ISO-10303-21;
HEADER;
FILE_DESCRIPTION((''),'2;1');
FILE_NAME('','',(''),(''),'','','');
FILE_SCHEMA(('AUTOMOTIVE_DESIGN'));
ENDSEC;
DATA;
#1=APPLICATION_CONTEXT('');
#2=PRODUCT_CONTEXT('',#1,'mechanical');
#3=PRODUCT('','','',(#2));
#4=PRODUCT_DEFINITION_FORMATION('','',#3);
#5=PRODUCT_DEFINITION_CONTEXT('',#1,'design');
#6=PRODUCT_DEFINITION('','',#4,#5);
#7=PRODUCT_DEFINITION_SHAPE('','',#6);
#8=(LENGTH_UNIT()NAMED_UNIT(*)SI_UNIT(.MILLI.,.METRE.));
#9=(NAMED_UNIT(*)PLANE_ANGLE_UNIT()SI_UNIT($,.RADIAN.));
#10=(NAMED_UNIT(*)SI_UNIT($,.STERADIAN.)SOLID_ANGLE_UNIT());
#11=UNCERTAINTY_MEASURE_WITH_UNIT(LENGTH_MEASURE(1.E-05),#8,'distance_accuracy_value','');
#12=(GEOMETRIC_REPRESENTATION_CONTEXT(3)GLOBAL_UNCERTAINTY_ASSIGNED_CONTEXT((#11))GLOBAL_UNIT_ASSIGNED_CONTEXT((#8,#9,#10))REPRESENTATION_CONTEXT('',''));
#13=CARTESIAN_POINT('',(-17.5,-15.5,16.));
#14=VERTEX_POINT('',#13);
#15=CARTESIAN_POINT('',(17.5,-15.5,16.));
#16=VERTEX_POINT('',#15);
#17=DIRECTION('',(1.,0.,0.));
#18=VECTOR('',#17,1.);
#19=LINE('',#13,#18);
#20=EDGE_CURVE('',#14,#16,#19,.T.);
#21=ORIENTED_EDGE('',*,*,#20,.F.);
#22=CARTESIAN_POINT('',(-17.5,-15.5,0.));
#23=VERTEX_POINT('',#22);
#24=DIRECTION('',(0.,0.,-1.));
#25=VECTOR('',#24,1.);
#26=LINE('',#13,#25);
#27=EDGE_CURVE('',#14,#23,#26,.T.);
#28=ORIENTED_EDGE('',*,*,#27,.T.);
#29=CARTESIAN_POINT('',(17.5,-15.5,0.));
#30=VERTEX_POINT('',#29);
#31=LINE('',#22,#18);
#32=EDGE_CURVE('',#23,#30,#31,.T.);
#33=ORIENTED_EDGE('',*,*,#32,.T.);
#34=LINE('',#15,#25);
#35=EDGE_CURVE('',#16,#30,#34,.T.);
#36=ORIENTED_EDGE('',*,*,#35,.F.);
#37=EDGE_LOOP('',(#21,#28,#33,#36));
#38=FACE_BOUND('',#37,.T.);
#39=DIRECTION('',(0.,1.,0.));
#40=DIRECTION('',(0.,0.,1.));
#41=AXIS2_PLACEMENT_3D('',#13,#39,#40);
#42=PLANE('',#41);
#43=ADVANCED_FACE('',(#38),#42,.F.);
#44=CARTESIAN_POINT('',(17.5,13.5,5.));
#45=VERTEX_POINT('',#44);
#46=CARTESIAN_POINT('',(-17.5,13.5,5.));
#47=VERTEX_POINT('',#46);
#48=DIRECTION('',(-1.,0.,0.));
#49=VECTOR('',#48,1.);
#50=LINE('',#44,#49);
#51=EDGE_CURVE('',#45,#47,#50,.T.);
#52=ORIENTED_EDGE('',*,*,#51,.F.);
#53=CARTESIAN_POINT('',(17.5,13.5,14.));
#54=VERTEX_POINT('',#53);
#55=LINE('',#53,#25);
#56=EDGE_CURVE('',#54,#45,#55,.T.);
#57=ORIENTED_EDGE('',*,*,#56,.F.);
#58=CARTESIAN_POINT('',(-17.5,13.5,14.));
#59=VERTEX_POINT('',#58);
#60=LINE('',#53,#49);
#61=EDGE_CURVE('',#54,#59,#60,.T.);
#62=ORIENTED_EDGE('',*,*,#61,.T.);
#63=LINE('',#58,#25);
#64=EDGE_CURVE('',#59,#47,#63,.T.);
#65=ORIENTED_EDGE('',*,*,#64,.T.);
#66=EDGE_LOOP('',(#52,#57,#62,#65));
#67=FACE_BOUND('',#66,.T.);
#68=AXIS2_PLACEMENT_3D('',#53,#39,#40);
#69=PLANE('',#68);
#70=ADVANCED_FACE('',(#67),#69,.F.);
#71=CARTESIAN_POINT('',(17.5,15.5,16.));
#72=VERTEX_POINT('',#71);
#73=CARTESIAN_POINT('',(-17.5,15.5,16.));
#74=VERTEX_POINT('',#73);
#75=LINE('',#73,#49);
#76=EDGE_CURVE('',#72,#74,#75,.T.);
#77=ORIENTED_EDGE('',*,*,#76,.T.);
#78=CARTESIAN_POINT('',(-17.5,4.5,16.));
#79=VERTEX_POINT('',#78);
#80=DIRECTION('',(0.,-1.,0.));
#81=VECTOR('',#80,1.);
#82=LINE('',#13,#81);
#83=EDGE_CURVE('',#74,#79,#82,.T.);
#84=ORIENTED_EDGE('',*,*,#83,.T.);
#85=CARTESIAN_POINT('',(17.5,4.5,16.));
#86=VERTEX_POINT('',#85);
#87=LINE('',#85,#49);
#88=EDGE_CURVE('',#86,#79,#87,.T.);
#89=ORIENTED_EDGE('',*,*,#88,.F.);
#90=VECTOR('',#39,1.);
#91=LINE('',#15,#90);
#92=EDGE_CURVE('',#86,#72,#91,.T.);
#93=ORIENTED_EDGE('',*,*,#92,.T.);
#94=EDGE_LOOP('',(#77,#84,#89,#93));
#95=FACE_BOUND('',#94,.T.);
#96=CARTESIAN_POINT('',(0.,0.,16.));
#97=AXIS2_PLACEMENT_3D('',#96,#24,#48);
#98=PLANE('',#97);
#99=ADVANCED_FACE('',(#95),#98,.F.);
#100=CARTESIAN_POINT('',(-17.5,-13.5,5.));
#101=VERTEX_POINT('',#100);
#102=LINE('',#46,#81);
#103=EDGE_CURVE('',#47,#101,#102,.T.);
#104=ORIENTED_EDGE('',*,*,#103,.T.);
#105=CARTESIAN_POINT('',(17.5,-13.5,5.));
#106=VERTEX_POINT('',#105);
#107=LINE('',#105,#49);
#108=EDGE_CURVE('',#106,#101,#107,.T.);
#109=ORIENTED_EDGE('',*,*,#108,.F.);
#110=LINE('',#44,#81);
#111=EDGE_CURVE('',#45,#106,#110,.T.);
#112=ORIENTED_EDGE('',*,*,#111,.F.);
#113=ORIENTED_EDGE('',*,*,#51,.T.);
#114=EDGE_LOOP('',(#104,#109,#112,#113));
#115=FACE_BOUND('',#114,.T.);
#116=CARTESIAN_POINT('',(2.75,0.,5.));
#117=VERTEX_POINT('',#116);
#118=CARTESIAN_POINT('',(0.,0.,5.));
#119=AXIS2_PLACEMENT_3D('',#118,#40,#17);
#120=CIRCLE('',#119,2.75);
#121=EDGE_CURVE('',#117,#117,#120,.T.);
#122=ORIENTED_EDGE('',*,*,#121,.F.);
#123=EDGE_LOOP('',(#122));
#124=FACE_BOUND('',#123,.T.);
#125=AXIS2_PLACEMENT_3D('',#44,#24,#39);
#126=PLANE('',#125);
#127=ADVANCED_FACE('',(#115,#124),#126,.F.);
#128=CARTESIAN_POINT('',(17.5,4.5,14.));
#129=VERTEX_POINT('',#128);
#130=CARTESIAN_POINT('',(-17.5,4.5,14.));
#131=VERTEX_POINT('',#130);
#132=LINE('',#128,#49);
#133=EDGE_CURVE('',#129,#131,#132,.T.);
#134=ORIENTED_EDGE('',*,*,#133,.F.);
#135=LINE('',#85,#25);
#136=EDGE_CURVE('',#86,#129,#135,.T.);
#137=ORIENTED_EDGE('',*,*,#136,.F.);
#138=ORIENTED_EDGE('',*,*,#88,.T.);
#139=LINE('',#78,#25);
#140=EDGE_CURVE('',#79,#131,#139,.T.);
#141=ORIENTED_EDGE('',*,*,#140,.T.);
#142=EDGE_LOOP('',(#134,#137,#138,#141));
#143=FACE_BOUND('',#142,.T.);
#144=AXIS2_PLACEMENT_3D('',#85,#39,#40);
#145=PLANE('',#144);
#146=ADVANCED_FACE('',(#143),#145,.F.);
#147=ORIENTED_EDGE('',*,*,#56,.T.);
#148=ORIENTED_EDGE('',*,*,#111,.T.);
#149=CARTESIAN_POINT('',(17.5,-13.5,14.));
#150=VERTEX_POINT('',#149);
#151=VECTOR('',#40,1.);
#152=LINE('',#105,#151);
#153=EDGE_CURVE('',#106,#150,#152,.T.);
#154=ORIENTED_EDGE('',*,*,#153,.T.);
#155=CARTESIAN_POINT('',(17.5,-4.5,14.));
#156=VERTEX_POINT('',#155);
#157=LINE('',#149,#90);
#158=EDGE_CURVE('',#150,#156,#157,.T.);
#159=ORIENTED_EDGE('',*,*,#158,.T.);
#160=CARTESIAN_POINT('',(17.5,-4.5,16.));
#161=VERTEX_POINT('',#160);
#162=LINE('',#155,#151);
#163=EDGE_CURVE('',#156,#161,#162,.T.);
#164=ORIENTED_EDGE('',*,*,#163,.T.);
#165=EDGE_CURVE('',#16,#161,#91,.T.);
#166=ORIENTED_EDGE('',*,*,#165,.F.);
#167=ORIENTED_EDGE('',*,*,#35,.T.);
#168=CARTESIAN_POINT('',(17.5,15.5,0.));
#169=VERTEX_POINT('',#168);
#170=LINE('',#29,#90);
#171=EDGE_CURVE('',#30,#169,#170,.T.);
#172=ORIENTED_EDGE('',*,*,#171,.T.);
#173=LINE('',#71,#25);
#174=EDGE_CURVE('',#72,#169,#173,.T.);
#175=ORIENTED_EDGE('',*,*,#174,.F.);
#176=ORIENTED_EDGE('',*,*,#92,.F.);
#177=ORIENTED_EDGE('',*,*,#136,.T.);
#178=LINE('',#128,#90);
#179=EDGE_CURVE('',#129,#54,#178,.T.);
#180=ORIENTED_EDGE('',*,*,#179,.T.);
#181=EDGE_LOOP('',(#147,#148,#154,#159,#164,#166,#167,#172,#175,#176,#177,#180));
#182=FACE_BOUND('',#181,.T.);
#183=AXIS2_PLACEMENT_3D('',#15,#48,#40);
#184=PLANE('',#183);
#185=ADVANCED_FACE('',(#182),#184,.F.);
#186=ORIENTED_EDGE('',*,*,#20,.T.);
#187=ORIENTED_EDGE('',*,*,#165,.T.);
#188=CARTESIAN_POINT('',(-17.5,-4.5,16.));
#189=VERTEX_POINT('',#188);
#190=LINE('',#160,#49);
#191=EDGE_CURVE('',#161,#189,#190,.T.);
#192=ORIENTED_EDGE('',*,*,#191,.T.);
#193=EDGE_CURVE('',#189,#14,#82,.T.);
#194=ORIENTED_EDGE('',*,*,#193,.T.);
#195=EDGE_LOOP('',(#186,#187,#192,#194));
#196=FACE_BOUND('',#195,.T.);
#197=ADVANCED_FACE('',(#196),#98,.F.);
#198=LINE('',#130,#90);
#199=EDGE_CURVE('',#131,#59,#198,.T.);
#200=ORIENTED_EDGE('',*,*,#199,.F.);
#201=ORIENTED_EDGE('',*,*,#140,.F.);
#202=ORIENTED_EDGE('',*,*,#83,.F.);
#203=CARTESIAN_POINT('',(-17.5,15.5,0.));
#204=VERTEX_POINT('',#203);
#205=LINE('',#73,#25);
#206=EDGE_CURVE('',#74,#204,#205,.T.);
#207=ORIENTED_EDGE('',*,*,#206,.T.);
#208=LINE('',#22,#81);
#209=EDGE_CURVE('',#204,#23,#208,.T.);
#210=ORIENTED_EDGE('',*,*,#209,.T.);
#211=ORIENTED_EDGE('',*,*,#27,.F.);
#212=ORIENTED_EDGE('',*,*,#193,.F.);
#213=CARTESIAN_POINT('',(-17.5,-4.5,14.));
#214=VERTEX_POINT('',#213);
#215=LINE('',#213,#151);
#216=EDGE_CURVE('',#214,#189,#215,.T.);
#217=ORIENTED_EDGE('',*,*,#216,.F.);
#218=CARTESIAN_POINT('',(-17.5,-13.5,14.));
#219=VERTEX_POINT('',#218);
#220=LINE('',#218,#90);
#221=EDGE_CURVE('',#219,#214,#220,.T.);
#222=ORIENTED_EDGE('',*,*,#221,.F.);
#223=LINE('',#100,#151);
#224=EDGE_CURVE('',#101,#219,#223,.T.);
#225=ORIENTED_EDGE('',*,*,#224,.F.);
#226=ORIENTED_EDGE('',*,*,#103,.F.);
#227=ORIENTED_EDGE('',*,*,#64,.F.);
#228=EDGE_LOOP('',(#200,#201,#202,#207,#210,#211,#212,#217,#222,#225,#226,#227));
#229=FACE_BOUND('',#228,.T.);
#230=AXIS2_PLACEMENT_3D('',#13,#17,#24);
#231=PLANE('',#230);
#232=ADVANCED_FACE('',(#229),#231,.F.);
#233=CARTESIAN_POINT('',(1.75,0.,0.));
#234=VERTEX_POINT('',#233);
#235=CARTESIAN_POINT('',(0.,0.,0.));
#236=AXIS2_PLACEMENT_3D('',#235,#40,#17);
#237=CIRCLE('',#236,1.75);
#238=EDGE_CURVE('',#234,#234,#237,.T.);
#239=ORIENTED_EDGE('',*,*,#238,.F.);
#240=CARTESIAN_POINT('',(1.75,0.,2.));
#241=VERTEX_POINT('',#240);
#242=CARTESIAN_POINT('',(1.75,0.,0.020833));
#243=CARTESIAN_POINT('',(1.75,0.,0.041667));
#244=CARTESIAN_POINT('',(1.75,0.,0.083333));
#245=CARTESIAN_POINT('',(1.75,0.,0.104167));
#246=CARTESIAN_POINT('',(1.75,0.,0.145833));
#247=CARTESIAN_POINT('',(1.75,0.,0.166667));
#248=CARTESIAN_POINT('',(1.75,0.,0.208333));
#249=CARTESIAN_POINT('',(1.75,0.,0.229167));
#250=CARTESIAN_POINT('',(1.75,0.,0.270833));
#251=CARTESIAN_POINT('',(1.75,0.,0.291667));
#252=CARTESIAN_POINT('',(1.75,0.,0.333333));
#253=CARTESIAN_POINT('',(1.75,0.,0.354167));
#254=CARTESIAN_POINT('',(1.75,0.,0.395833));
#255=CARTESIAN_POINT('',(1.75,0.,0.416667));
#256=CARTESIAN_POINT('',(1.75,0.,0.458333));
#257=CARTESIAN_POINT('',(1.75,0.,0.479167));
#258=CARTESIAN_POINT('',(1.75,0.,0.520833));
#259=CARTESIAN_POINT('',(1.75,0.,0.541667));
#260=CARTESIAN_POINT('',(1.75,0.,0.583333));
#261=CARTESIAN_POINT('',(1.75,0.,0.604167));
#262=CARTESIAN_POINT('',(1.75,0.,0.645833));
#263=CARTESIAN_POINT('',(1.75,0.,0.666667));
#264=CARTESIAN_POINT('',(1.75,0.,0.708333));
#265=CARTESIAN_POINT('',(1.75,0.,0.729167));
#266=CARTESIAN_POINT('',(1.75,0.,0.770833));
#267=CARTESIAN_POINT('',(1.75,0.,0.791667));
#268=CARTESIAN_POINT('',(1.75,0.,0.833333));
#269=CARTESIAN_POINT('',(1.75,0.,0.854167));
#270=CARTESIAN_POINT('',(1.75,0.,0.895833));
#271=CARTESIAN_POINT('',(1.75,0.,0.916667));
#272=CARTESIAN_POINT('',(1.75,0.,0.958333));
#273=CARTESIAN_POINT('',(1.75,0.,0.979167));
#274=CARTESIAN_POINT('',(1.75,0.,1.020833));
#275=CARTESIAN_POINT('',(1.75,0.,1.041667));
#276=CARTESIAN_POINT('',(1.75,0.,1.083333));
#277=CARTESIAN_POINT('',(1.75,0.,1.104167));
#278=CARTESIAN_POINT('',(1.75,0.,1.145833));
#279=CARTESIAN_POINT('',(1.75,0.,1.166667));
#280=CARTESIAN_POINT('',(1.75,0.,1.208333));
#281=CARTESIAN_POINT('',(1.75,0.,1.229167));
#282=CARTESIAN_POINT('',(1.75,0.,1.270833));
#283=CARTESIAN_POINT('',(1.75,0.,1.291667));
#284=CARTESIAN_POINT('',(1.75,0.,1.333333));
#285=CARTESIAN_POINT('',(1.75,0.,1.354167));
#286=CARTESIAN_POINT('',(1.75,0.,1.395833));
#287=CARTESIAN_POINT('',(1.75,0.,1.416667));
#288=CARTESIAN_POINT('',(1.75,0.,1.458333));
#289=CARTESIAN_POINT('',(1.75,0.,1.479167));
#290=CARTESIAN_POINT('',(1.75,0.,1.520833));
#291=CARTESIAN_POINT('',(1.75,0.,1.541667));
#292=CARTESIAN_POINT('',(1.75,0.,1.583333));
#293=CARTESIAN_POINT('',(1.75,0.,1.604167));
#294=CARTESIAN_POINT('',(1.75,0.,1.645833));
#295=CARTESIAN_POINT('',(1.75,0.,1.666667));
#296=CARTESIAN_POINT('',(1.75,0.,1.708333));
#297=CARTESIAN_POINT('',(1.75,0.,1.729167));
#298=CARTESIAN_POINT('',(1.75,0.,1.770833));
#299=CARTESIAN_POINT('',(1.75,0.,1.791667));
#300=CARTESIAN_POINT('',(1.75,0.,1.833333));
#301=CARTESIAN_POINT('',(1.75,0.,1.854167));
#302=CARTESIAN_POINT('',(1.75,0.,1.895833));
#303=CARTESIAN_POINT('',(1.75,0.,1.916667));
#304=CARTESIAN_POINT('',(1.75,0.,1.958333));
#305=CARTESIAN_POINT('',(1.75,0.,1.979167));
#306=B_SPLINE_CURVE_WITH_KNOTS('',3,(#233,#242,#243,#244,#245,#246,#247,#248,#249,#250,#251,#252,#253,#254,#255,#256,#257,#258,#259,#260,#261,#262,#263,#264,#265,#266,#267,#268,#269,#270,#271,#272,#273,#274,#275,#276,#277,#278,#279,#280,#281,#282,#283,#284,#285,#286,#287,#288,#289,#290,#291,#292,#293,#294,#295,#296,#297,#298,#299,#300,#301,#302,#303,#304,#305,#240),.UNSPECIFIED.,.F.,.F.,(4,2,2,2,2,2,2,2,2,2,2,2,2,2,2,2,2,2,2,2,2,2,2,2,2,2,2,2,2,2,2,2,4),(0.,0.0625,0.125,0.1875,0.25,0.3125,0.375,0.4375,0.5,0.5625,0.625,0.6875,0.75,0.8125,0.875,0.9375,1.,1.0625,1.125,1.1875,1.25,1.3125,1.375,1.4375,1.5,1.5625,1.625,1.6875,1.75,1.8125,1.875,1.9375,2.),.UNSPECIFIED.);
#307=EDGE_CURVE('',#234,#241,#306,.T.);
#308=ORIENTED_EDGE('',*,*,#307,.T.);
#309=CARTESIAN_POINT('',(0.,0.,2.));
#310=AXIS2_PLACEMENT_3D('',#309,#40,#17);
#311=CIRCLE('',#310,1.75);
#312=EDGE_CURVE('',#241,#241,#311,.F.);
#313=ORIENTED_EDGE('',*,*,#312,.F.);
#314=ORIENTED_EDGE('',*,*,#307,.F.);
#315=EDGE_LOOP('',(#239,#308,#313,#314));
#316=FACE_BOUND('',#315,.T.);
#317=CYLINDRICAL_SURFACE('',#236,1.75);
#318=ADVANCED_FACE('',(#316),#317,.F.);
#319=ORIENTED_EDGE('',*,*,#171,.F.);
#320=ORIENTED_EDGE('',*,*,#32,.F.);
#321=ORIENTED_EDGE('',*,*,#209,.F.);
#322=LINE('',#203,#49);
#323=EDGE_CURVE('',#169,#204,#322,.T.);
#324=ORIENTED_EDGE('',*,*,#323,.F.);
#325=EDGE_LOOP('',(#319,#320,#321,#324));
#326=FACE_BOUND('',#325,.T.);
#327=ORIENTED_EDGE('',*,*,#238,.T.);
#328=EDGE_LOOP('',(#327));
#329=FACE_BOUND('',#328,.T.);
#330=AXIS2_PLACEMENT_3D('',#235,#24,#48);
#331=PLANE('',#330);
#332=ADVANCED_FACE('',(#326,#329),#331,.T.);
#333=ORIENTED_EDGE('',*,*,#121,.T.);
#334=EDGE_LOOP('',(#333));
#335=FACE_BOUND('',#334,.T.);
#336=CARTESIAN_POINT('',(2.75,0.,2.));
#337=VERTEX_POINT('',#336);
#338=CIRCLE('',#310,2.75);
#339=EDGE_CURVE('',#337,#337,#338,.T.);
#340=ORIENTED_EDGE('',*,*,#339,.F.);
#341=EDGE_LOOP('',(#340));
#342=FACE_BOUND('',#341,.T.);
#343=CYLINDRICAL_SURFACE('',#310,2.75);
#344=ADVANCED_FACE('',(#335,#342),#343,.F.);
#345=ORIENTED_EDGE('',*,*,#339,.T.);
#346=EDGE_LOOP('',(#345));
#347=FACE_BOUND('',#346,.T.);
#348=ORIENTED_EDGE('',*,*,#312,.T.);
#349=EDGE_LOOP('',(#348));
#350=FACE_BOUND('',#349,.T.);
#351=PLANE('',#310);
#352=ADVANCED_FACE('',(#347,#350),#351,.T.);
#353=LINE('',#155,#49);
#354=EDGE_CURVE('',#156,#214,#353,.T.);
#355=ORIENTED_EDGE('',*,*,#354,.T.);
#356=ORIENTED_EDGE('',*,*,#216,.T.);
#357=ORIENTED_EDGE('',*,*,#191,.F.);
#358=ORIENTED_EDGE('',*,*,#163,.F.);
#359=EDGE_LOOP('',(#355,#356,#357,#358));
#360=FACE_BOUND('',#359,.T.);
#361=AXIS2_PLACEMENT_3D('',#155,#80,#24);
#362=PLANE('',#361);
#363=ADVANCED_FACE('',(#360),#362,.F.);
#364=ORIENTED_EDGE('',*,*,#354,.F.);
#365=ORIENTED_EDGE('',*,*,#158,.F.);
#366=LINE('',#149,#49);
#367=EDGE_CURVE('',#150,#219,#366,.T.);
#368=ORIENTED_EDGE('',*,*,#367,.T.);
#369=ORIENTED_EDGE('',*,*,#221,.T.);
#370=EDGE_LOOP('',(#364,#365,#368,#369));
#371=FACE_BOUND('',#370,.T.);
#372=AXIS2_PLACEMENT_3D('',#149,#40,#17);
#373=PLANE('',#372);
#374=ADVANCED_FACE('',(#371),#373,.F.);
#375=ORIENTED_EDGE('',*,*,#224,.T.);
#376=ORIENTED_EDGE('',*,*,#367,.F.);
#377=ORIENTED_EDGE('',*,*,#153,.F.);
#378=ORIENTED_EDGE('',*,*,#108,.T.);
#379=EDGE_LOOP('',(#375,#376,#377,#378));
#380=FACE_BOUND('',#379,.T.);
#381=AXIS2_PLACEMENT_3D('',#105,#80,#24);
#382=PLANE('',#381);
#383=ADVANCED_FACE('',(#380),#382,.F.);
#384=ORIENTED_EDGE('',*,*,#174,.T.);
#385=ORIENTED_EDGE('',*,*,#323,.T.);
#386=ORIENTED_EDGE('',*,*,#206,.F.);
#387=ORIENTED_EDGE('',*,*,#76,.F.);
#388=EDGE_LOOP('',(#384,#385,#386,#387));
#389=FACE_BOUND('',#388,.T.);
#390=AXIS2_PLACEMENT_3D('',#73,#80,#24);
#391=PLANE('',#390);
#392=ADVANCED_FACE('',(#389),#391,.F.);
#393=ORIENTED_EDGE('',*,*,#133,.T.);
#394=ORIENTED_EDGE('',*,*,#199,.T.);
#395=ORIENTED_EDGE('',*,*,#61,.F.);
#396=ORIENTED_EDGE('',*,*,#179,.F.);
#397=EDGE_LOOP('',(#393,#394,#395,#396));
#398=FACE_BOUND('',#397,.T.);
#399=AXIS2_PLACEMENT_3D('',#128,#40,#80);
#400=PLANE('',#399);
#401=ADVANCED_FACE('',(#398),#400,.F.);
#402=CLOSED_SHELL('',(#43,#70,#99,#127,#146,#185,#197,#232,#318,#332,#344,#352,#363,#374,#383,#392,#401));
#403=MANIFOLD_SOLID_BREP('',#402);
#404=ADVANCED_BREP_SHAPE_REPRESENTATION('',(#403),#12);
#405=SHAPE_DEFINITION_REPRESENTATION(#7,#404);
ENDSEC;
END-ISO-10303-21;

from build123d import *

# Parameters (mm, degrees)
ESQUISSE1_W             = 35
ESQUISSE1_H             = 31
BOSS_EXTRU_1_DEPTH      = 16
ENL_V_MAT_EXTRU_1_DEPTH = 35
ESQUISSE3_R             = 1.75
ENL_V_MAT_EXTRU_2_DEPTH = 5
ESQUISSE4_R             = 2.75
ENL_V_MAT_EXTRU_3_DEPTH = 3


with BuildPart() as part:
    # Esquisse1 → Boss.-Extru.1 (new body)
    with BuildSketch(Plane.XY):
        Rectangle(ESQUISSE1_W, ESQUISSE1_H)
    extrude(amount=BOSS_EXTRU_1_DEPTH)

    # Esquisse2 → Enlèv. mat.-Extru.1 (cut)
    with BuildSketch(Plane.ZY.offset(17.5)):
        Polygon((5, 13.5), (5, -13.5), (14, -13.5), (14, -4.5), (16, -4.5), (16, 4.5), (14, 4.5), (14, 13.5), align=None)
    extrude(amount=-ENL_V_MAT_EXTRU_1_DEPTH, mode=Mode.SUBTRACT)

    # Esquisse3 → Enlèv. mat.-Extru.2 (cut)
    with BuildSketch(Plane.XY.offset(5)):
        Circle(ESQUISSE3_R)
    extrude(amount=-ENL_V_MAT_EXTRU_2_DEPTH, mode=Mode.SUBTRACT)

    # Esquisse4 → Enlèv. mat.-Extru.3 (cut)
    with BuildSketch(Plane.XY.offset(5)):
        Circle(ESQUISSE4_R)
    extrude(amount=-ENL_V_MAT_EXTRU_3_DEPTH, mode=Mode.SUBTRACT)


solid = part.part
